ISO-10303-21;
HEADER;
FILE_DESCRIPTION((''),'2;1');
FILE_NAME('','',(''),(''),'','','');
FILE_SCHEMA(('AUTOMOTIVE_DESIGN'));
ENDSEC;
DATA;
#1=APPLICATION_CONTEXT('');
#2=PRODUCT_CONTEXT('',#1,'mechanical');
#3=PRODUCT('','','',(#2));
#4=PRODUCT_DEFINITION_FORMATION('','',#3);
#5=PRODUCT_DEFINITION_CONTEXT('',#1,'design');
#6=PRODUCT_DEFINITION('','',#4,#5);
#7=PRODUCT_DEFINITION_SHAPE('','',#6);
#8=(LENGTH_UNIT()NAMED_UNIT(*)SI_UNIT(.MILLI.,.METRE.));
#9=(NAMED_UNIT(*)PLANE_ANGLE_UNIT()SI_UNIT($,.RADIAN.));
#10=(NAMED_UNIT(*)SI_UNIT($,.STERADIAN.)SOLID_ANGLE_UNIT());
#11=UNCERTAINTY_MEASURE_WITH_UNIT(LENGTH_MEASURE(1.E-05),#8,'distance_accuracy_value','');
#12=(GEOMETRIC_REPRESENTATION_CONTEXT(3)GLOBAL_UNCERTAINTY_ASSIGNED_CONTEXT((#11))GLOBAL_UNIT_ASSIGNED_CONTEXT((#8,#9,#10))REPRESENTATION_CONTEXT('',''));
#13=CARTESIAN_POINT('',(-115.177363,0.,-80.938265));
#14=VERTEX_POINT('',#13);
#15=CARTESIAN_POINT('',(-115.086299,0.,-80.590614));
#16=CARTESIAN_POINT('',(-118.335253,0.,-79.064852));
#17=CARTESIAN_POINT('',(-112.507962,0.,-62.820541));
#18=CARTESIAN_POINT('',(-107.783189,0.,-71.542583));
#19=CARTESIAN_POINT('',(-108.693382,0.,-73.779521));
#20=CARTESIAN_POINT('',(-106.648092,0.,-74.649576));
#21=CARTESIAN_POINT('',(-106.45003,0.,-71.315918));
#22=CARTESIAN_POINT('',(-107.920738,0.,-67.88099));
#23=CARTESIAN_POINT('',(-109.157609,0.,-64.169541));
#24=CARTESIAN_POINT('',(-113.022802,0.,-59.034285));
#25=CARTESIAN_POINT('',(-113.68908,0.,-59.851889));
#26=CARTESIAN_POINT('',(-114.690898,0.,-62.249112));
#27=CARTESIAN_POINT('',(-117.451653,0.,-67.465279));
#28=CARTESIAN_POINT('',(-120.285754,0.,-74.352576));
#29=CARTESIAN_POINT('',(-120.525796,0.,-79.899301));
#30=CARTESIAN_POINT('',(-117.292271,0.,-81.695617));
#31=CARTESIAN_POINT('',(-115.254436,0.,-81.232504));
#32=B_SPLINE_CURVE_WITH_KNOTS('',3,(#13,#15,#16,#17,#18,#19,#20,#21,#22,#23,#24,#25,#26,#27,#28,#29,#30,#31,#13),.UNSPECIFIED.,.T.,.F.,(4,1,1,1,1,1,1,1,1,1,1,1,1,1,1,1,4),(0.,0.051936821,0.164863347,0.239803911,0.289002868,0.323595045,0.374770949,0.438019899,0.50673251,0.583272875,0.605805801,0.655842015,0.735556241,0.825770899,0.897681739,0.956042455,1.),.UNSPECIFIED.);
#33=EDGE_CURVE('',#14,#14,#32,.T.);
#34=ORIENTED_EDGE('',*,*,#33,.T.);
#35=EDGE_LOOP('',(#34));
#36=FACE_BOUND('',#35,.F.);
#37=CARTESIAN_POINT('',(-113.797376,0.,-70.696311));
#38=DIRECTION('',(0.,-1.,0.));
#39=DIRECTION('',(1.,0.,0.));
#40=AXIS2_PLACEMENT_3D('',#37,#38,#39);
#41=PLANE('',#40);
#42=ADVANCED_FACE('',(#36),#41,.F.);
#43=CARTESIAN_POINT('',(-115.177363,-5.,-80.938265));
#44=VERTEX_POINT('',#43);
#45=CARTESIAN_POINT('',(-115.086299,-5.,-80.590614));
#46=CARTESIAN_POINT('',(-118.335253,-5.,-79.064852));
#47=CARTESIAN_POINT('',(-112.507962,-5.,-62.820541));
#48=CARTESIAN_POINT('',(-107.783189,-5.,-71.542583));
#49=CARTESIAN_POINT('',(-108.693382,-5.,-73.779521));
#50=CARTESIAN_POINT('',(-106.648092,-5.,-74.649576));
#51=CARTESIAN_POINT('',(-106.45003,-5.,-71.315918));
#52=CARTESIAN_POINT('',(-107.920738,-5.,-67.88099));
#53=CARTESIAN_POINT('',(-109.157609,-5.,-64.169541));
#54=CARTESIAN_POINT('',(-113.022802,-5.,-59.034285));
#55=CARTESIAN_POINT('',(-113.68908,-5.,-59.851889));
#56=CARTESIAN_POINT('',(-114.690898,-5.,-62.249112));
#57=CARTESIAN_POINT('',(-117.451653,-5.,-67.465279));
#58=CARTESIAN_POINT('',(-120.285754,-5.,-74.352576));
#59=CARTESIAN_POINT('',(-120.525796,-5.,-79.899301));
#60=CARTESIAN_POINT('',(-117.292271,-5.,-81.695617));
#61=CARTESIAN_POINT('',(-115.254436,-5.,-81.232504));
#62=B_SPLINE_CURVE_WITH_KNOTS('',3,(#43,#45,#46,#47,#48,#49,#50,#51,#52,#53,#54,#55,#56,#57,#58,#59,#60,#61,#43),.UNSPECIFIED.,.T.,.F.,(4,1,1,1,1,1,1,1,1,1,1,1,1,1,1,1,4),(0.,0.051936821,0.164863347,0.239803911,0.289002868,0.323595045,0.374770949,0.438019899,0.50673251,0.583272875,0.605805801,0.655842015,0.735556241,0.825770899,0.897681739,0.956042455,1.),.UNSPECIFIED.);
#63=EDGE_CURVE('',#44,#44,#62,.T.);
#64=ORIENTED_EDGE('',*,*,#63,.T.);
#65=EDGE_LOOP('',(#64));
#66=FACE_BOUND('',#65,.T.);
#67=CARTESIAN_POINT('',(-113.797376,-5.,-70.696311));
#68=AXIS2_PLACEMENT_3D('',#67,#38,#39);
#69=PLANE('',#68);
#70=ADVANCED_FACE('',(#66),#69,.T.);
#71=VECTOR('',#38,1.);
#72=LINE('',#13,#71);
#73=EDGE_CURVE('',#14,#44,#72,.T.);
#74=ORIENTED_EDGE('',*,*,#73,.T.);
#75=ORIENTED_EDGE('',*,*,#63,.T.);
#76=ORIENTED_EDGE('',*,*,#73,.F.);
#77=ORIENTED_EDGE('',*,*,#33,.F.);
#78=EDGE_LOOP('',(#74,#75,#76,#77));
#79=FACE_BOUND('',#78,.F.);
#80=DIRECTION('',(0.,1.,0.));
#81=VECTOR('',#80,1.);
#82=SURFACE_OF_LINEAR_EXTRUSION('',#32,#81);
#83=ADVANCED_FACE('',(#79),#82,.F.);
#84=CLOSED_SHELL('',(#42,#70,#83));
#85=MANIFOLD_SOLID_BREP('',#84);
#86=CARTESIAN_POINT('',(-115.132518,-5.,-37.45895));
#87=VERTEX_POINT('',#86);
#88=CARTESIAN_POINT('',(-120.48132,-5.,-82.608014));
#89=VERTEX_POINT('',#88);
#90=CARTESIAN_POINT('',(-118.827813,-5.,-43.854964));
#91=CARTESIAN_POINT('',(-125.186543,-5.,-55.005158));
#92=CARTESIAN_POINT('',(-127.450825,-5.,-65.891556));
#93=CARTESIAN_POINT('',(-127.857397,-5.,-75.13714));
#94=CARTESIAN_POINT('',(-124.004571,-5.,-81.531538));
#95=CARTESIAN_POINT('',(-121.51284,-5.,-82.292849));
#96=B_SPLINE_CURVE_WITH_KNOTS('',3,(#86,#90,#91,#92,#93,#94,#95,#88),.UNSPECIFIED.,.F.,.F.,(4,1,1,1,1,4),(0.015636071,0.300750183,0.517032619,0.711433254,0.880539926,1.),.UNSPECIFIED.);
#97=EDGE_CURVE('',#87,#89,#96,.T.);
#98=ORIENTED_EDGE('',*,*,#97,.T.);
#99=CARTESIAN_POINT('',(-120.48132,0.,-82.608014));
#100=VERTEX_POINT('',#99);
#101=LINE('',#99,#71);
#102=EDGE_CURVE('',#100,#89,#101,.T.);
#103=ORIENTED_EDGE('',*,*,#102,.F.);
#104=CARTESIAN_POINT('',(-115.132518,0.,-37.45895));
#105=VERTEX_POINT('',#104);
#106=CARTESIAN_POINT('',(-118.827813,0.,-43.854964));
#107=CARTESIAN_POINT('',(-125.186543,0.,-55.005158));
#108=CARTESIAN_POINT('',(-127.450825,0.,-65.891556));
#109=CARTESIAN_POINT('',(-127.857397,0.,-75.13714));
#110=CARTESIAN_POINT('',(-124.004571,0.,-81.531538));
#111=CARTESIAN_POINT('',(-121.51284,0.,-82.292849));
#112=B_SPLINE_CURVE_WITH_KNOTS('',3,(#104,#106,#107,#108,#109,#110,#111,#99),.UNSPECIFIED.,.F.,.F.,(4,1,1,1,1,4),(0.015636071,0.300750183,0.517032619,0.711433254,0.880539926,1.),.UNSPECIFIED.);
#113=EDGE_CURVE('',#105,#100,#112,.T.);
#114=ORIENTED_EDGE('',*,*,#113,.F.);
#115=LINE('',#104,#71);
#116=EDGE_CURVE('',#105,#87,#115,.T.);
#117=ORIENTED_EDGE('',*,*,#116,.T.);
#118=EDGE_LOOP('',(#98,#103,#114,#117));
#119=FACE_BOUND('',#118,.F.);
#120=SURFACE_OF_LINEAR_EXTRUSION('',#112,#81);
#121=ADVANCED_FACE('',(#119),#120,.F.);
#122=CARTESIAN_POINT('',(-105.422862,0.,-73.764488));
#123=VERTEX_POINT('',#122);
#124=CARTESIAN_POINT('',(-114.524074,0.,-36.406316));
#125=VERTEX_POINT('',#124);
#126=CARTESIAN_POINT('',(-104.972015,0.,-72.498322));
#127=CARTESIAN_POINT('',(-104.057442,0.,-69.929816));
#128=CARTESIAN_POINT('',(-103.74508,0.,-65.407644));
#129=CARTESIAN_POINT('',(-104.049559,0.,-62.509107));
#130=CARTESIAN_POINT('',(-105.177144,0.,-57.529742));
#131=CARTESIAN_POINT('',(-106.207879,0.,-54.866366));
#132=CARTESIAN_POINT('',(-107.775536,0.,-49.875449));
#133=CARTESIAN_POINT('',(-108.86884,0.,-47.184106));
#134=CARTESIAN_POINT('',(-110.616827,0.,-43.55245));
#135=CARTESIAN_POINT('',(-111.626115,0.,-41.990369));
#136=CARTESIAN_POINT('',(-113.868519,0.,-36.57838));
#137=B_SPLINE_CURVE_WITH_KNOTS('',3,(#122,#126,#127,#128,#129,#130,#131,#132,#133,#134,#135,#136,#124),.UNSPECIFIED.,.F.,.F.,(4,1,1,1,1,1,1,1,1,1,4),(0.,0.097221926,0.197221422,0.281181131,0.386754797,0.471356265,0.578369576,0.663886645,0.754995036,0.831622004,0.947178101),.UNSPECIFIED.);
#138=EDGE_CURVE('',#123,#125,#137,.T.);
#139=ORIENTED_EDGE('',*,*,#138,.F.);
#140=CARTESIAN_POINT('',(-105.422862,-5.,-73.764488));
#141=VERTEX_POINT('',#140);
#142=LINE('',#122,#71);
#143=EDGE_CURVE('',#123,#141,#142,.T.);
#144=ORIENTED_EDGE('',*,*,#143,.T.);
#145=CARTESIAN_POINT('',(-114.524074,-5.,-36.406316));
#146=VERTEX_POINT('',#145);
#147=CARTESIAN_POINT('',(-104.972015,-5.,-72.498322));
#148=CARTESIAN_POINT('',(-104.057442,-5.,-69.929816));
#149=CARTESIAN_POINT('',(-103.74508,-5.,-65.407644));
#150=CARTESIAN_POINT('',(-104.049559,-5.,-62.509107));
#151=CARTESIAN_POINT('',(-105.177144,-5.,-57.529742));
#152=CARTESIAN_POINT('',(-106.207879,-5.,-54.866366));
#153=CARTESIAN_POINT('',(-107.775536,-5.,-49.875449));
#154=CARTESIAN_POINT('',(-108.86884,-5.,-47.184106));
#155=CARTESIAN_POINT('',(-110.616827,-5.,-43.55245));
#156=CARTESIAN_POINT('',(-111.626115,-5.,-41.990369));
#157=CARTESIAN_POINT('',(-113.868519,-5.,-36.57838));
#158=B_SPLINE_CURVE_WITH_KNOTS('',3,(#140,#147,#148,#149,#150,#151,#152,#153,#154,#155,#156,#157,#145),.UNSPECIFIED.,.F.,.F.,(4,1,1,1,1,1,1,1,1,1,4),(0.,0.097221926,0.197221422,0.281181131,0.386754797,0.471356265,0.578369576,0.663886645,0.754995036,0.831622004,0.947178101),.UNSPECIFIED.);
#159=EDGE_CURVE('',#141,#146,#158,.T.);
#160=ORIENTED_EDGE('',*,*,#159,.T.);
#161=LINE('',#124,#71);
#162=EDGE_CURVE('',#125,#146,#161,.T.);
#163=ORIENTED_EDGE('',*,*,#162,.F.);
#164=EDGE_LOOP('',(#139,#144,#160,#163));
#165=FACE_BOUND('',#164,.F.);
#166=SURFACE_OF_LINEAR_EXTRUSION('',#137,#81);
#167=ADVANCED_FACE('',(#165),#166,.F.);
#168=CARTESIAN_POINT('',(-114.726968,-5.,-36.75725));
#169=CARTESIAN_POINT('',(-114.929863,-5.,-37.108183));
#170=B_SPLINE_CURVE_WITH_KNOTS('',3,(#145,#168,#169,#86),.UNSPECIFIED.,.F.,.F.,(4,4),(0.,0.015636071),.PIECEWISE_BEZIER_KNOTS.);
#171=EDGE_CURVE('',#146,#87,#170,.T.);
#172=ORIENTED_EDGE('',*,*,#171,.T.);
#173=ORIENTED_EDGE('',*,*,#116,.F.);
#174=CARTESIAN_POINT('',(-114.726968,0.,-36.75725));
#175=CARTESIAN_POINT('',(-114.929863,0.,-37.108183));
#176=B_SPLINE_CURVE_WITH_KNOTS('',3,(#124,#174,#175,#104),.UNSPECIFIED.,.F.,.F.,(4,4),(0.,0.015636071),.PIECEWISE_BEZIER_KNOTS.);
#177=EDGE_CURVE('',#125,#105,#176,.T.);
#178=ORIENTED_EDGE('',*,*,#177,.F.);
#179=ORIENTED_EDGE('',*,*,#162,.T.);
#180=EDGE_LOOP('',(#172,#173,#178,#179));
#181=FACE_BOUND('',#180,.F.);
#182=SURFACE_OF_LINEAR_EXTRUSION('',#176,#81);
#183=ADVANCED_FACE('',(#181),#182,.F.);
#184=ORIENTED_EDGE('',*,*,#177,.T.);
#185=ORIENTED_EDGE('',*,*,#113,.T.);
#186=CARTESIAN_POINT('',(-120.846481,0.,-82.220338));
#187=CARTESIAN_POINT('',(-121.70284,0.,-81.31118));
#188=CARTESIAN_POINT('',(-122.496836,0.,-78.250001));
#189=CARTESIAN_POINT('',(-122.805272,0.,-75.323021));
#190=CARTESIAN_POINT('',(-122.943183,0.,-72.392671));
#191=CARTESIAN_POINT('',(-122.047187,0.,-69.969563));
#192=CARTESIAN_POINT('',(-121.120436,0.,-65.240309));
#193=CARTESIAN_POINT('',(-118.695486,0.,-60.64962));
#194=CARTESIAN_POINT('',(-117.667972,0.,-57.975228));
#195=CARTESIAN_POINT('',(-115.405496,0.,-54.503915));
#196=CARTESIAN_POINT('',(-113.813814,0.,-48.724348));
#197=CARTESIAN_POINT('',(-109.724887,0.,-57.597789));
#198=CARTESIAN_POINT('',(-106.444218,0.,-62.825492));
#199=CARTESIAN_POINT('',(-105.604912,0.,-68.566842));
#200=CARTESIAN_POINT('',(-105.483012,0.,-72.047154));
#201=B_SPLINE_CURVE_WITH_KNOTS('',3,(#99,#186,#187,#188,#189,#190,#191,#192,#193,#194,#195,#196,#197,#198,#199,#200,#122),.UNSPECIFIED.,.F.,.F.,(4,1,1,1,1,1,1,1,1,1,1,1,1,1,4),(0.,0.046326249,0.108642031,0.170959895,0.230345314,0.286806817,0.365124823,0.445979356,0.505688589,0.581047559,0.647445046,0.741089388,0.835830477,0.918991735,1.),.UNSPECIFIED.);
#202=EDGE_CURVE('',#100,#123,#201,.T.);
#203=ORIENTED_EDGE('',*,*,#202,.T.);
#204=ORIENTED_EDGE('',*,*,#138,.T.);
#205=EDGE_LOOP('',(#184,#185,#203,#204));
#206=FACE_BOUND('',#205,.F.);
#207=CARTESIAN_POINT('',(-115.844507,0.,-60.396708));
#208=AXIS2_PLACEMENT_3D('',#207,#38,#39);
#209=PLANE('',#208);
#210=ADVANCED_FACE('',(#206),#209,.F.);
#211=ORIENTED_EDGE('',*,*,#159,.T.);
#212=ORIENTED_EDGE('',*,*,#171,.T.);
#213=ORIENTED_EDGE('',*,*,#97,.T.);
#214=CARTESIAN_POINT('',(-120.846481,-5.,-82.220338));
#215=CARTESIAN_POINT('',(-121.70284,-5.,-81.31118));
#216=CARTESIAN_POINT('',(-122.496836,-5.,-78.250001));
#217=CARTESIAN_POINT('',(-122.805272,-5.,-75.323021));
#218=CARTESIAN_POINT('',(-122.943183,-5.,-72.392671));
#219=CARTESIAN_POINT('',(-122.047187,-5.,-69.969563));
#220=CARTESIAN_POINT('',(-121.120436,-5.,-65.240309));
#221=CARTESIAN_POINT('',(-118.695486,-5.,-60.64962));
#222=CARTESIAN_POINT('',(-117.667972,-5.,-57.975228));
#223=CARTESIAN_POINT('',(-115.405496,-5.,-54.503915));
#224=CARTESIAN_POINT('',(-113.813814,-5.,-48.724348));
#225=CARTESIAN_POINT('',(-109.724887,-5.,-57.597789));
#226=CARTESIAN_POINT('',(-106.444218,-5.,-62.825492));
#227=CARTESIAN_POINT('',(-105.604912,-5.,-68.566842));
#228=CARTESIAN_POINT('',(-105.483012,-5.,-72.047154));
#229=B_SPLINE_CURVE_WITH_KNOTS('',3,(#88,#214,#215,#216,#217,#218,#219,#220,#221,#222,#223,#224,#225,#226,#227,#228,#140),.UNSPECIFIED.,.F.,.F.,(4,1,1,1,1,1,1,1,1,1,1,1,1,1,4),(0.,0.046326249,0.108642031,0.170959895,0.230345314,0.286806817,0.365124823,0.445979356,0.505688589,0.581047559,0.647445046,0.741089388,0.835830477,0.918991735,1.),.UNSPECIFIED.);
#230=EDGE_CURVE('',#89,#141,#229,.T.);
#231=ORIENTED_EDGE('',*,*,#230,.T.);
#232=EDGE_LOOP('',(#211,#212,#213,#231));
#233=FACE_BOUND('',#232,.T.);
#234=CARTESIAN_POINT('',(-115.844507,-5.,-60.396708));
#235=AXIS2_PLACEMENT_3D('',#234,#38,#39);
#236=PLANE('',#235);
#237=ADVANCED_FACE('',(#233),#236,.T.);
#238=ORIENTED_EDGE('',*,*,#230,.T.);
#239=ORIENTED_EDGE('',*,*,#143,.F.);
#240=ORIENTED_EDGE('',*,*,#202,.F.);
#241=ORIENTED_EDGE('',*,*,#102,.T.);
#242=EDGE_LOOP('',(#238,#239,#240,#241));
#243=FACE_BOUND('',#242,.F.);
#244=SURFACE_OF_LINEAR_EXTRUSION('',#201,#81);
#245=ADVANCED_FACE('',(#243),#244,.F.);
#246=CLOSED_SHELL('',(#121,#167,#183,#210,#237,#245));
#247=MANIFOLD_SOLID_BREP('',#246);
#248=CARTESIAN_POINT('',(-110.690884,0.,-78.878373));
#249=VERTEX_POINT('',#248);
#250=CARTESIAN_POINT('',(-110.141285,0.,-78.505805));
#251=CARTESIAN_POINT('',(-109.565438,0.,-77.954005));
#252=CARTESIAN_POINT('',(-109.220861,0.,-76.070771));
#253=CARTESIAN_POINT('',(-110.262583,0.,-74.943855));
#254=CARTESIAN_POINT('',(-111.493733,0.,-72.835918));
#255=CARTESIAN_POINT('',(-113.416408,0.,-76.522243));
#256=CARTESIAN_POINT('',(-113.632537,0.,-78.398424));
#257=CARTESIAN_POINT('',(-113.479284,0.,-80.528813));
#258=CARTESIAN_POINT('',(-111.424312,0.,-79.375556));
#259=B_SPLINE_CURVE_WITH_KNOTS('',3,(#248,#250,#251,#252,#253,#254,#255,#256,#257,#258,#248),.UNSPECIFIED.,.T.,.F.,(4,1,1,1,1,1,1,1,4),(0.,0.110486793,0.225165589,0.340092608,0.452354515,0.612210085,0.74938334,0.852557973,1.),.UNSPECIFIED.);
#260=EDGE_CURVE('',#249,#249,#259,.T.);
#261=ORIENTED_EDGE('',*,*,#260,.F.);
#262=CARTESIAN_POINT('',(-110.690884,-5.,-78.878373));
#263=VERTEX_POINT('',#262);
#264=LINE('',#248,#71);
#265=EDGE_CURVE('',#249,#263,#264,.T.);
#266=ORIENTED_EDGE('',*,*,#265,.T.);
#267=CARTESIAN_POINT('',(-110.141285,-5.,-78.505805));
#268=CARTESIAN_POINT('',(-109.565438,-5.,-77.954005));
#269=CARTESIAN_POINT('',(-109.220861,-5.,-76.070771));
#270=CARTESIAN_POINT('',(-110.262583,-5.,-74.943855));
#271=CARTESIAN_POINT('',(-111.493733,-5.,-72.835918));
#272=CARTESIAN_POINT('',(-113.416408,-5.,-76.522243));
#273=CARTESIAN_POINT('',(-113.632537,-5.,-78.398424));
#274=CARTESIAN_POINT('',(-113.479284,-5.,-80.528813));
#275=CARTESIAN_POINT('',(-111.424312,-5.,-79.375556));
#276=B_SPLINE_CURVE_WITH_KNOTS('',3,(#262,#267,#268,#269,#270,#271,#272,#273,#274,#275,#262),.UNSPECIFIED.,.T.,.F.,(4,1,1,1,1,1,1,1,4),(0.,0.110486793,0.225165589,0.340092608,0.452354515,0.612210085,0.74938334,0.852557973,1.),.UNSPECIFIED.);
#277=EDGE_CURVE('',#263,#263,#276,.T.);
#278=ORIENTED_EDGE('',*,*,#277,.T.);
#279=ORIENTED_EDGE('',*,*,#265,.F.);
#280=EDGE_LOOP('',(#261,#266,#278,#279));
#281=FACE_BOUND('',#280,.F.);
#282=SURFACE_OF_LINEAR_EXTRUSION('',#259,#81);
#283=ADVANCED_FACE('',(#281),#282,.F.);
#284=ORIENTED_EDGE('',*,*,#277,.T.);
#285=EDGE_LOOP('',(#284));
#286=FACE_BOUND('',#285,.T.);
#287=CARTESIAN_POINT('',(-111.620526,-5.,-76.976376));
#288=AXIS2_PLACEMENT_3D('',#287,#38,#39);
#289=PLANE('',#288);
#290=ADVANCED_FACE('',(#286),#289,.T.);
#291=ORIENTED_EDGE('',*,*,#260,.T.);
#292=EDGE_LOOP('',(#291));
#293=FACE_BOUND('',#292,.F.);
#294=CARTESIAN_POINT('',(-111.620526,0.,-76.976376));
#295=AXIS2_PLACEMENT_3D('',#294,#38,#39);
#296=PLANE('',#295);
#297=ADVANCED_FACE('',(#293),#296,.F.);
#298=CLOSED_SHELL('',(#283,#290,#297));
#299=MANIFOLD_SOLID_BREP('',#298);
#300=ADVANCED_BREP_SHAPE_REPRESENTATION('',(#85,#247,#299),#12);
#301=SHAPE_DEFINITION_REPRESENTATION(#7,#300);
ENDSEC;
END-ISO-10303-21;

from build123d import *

# Parameters (mm, degrees)
F1_DEPTH = 5


with BuildPart() as f1:
    # F0 (on Front) → F1 (new body)
    with BuildSketch(Plane.XZ):
        with BuildLine():
            add(Edge.make_bspline(
                [(-105.4228618741, -73.764488101), (-104.9720153162, -72.4983220416), (-104.0574418421, -69.9298164366), (-103.7450795659, -65.4076443677), (-104.0495589113, -62.5091065922), (-105.1771436816, -57.5297420009), (-106.2078793726, -54.8663661927), (-107.7755364862, -49.8754492667), (-108.8688401149, -47.1841057708), (-110.6168271049, -43.5524500919), (-111.62611511, -41.9903693861), (-113.8685189613, -36.5783802892), (-114.5240738988, -36.4063158631)],
                knots=[0, 0, 0, 0, 0.097221926, 0.1972214221, 0.2811811309, 0.3867547967, 0.4713562654, 0.5783695765, 0.6638866449, 0.7549950363, 0.8316220038, 0.9471781006, 0.9471781006, 0.9471781006, 0.9471781006], degree=3))
            add(Edge.make_bspline(
                [(-114.5240738988, -36.4063158631), (-114.7269682487, -36.7572496397), (-114.9298625986, -37.1081834162), (-115.1325179437, -37.4589500701)],
                knots=[0, 0, 0, 0, 0.0156360714, 0.0156360714, 0.0156360714, 0.0156360714], degree=3))
            add(Edge.make_bspline(
                [(-115.1325179437, -37.4589500701), (-118.8278130804, -43.8549635046), (-125.1865428068, -55.0051584165), (-127.4508253004, -65.8915561631), (-127.8573967147, -75.1371395411), (-124.0045712011, -81.5315379844), (-121.5128398626, -82.2928489217), (-120.4813197255, -82.6080143452)],
                knots=[0.0156360714, 0.0156360714, 0.0156360714, 0.0156360714, 0.3007501834, 0.5170326194, 0.711433254, 0.8805399263, 1, 1, 1, 1], degree=3))
            add(Edge.make_bspline(
                [(-120.4813197255, -82.6080143452), (-120.8464813091, -82.2203384476), (-121.7028402199, -81.3111800794), (-122.4968363975, -78.2500008073), (-122.8052723026, -75.3230211512), (-122.9431829015, -72.392670907), (-122.0471866402, -69.96956257), (-121.1204364685, -65.2403090257), (-118.6954861092, -60.6496198019), (-117.6679719932, -57.9752277313), (-115.4054960497, -54.503914819), (-113.8138143648, -48.7243475864), (-109.7248872626, -57.5977885356), (-106.4442182198, -62.8254920807), (-105.6049122532, -68.5668422539), (-105.4830124507, -72.0471536129), (-105.4228618741, -73.764488101)],
                knots=[0, 0, 0, 0, 0.0463262487, 0.1086420305, 0.1709598951, 0.2303453141, 0.2868068168, 0.3651248225, 0.4459793564, 0.5056885894, 0.5810475592, 0.6474450462, 0.7410893883, 0.8358304767, 0.9189917352, 1, 1, 1, 1], degree=3))
        make_face()
    extrude(amount=F1_DEPTH)


with BuildPart() as f1b:
    # F0 (on Front) → F1, piece 2 (new body)
    with BuildSketch(Plane.XZ):
        with BuildLine():
            add(Edge.make_bspline(
                [(-115.1773631573, -80.9382647276), (-115.0862994268, -80.5906138955), (-118.3352531135, -79.0648517893), (-112.5079617621, -62.8205407027), (-107.7831889509, -71.5425826012), (-108.6933822969, -73.7795209393), (-106.6480920979, -74.6495762856), (-106.4500299967, -71.3159179051), (-107.9207375816, -67.8809899461), (-109.1576088032, -64.1695408884), (-113.0228017514, -59.0342848903), (-113.6890803845, -59.8518891396), (-114.6908981928, -62.2491115017), (-117.4516534335, -67.4652793934), (-120.2857541482, -74.352576208), (-120.5257960022, -79.8993011525), (-117.2922705657, -81.6956171893), (-115.2544363767, -81.2325044727), (-115.1773631573, -80.9382647276)],
                knots=[0, 0, 0, 0, 0.0519368214, 0.1648633474, 0.2398039114, 0.289002868, 0.3235950454, 0.3747709492, 0.4380198989, 0.5067325098, 0.5832728755, 0.6058058006, 0.655842015, 0.7355562409, 0.8257708994, 0.8976817395, 0.956042455, 1, 1, 1, 1], degree=3))
        make_face()
    extrude(amount=F1_DEPTH)


with BuildPart() as f1c:
    # F0 (on Front) → F1, piece 3 (new body)
    with BuildSketch(Plane.XZ):
        with BuildLine():
            add(Edge.make_bspline(
                [(-110.6908842921, -78.8783729076), (-110.1412845553, -78.5058046456), (-109.5654383639, -77.9540046679), (-109.2208612166, -76.0707707448), (-110.2625827159, -74.9438546276), (-111.4937326918, -72.8359182274), (-113.4164079346, -76.522242616), (-113.6325367483, -78.3984235871), (-113.4792841535, -80.5288131123), (-111.4243122159, -79.3755564916), (-110.6908842921, -78.8783729076)],
                knots=[0, 0, 0, 0, 0.1104867928, 0.2251655889, 0.3400926077, 0.4523545147, 0.6122100848, 0.7493833398, 0.8525579734, 1, 1, 1, 1], degree=3))
        make_face()
    extrude(amount=F1_DEPTH)


solid = Compound([f1.part, f1b.part, f1c.part])
